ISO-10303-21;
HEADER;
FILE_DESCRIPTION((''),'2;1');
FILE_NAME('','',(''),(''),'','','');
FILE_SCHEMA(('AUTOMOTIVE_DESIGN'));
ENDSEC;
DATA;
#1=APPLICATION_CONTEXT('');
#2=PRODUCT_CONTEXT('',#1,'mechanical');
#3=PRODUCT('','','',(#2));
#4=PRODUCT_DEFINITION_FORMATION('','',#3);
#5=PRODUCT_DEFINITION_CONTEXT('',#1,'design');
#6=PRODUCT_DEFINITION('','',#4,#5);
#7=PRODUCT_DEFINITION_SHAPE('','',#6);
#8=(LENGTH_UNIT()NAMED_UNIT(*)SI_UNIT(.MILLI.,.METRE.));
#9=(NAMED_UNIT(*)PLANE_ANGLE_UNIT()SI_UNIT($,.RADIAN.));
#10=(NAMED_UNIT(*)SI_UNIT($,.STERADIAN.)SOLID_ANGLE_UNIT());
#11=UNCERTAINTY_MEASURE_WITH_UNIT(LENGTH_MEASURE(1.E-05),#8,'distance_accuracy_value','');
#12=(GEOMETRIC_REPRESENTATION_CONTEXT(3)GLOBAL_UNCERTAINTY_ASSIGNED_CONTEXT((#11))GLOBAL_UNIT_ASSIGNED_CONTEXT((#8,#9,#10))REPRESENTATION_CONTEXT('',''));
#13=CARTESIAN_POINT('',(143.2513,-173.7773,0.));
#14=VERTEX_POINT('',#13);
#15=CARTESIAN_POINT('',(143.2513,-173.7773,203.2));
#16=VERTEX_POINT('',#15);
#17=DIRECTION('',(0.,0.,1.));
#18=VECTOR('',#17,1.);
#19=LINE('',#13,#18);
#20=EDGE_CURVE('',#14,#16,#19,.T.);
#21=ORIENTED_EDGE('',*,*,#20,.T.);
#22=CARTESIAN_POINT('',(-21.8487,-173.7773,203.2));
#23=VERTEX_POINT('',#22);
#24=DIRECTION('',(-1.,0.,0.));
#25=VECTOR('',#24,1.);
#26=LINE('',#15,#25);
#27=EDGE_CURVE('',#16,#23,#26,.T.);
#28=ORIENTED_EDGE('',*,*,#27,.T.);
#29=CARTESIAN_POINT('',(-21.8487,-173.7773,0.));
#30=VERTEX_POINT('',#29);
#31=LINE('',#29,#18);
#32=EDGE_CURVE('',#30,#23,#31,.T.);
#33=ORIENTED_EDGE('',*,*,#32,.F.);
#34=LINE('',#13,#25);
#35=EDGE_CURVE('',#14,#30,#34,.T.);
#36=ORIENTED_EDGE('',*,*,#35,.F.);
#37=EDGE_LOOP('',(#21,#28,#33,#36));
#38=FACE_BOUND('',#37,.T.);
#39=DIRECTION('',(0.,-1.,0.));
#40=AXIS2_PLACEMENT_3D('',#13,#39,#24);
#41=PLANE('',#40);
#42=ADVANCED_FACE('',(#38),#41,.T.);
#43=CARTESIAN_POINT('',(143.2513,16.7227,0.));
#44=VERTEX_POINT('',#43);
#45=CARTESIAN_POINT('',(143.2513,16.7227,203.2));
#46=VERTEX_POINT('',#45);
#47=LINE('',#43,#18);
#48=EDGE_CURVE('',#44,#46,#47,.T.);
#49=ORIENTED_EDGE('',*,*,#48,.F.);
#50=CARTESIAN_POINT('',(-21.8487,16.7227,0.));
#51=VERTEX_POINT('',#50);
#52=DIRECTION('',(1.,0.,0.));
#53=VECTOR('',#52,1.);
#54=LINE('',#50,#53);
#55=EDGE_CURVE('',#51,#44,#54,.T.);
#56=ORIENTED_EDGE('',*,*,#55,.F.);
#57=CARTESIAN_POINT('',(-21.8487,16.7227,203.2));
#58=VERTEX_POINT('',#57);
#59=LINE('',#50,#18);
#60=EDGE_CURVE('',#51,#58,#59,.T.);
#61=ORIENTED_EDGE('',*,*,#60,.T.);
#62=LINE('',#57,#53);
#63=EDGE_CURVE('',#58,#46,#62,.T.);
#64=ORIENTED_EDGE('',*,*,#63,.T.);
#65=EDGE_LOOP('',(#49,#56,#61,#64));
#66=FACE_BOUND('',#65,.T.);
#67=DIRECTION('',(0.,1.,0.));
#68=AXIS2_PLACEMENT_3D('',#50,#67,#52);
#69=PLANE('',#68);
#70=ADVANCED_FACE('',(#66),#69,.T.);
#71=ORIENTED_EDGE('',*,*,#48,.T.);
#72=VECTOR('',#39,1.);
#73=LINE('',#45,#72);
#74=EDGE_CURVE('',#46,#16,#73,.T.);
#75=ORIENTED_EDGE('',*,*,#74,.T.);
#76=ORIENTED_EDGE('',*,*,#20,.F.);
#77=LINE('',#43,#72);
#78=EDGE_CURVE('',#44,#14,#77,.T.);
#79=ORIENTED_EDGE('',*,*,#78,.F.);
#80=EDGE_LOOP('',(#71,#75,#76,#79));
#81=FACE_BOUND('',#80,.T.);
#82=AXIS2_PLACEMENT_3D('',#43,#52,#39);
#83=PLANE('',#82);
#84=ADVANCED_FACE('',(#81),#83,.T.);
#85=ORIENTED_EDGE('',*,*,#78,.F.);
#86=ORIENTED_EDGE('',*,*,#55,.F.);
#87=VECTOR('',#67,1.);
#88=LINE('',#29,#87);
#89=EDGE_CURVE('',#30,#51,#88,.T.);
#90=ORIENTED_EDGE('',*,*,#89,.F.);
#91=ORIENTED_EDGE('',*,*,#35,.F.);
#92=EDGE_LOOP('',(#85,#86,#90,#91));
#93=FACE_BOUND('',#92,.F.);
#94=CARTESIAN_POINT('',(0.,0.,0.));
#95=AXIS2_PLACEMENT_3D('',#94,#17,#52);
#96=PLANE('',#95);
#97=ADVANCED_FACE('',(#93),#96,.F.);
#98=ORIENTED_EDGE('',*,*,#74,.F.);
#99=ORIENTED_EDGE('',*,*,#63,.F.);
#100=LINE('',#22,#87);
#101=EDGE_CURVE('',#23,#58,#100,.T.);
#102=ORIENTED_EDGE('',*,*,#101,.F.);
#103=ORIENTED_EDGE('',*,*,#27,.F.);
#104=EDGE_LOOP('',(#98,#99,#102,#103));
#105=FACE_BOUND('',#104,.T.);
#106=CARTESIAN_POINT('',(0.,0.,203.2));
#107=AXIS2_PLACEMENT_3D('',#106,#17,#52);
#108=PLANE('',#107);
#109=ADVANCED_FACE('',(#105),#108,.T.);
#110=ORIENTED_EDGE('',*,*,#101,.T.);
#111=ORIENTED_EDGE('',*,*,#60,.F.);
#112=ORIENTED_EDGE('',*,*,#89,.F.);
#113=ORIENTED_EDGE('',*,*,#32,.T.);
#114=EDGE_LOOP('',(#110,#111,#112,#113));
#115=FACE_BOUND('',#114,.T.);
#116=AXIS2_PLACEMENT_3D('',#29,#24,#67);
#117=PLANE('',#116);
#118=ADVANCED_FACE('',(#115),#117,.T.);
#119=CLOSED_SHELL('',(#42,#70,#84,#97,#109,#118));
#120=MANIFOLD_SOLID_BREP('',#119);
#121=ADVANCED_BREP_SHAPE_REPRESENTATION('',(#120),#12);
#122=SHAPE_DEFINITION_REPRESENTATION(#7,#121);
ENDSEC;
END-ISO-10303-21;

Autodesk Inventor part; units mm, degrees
ref_plane "YZ Plane" through (0, 0, 0) normal (1, 0, 0) x (0, 1, 0)
ref_plane "XZ Plane" through (0, 0, 0) normal (0, 1, 0) x (-1, 0, 0)
ref_plane "XY Plane" through (0, 0, 0) normal (0, 0, 1) x (1, 0, 0)
sketch "Sketch1" plane through (0, 0, 0) normal (0, 0, 1) x (1, 0, 0)
  line L0 (-21.8487, 16.7227) -> (143.2513, 16.7227)
  line L1 (143.2513, 16.7227) -> (143.2513, -173.7773)
  line L2 (143.2513, -173.7773) -> (-21.8487, -173.7773)
  line L3 (-21.8487, -173.7773) -> (-21.8487, 16.7227)
  point P0 (0, 0)
  dimension "d0" = 165.1
  dimension "d1" = 190.5
extrude "Extrusion1" add sketch "Sketch1" along normal blind 203.2
properties part number "battery model"
